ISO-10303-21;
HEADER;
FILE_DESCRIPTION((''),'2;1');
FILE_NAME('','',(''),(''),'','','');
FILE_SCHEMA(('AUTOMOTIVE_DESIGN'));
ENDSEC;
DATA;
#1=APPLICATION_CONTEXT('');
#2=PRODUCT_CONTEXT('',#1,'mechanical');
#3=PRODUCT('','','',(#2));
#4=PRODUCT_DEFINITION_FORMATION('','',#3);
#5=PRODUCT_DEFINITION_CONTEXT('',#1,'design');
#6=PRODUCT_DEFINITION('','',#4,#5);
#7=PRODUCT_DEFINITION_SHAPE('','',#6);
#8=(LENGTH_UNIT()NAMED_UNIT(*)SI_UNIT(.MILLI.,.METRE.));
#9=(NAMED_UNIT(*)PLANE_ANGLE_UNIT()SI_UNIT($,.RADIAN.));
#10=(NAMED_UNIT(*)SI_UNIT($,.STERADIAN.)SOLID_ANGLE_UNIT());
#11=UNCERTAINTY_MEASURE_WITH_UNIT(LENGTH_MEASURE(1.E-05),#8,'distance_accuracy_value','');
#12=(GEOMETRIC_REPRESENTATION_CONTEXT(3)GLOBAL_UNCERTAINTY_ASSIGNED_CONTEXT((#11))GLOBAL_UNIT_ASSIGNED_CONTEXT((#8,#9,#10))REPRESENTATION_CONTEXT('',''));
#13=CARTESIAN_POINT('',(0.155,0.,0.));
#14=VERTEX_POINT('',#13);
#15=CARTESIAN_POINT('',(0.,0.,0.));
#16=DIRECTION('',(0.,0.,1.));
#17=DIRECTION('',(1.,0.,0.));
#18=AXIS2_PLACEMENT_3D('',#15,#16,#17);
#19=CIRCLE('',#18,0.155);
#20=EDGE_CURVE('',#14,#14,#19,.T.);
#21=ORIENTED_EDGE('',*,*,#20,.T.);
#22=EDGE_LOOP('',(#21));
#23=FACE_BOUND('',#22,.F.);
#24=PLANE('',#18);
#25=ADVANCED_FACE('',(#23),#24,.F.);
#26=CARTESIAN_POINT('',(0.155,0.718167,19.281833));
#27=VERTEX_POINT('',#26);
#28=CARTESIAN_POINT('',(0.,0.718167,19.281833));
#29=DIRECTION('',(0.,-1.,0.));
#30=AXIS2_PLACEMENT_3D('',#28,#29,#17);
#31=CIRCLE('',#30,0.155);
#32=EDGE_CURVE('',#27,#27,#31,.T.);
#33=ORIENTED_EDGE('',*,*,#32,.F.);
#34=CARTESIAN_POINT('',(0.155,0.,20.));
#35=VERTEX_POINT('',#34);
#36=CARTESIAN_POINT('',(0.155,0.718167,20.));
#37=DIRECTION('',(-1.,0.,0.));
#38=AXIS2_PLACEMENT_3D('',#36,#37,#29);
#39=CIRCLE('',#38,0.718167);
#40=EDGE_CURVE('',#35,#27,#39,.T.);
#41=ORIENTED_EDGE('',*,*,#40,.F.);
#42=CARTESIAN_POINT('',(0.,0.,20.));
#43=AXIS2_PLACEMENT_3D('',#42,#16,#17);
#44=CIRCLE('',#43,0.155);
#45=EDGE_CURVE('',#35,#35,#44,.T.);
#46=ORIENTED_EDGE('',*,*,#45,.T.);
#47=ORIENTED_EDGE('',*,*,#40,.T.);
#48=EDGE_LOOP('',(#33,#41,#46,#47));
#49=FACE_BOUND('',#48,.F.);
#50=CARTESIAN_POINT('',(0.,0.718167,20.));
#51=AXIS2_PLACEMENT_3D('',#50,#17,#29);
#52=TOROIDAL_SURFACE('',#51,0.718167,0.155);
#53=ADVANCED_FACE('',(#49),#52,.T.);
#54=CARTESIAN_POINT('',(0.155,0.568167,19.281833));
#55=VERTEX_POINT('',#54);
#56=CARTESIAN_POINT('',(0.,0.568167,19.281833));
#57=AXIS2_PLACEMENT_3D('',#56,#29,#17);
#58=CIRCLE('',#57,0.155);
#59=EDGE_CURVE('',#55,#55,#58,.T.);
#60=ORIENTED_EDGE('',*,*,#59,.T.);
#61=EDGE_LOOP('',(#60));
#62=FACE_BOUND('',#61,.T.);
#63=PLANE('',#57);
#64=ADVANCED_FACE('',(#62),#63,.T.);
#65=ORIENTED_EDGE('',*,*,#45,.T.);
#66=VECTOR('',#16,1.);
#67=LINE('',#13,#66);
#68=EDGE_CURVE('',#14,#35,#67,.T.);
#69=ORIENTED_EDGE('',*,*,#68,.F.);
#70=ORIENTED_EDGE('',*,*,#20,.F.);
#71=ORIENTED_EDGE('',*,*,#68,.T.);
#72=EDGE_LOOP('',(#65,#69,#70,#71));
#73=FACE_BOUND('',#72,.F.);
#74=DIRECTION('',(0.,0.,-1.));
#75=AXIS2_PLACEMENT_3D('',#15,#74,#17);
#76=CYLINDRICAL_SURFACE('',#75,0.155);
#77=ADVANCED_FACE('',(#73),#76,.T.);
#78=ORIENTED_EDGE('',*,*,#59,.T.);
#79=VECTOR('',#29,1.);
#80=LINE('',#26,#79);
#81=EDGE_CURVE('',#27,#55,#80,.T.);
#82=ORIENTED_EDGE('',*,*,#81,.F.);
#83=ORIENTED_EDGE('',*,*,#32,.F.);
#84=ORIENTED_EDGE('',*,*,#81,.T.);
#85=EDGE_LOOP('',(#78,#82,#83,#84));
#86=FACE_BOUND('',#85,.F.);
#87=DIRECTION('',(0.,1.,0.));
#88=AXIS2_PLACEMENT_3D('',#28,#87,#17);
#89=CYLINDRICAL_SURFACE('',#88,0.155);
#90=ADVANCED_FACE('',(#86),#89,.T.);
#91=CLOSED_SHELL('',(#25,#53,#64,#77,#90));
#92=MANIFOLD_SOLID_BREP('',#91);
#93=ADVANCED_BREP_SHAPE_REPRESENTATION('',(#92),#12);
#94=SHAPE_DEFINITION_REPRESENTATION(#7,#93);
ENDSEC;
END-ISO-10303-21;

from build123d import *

# Parameters (mm, degrees)
F0_R     = 0.155
F1_DEPTH = 20
F2_R     = 0.155
F3_ANGLE = 270
F4_R     = 0.155
F5_DEPTH = 0.15


with BuildPart() as f1:
    # F0 (on Top) → F1 (new body)
    with BuildSketch(Plane.XY):
        Circle(F0_R)
    extrude(amount=F1_DEPTH)

    # F2 (on face) → F3 (revolve)
    with BuildSketch(Plane.XY.offset(20)):
        Circle(F2_R)
    revolve(axis=Axis((0.0432368064, 0.718167399, 20), (-1, 0, 0)), revolution_arc=F3_ANGLE)

    # F4 (on face) → F5 (join)
    with BuildSketch(Plane.XZ.offset(-0.718167399)):
        with Locations((0, 19.281832601)):
            Circle(F4_R)
    extrude(amount=F5_DEPTH)


solid = f1.part
